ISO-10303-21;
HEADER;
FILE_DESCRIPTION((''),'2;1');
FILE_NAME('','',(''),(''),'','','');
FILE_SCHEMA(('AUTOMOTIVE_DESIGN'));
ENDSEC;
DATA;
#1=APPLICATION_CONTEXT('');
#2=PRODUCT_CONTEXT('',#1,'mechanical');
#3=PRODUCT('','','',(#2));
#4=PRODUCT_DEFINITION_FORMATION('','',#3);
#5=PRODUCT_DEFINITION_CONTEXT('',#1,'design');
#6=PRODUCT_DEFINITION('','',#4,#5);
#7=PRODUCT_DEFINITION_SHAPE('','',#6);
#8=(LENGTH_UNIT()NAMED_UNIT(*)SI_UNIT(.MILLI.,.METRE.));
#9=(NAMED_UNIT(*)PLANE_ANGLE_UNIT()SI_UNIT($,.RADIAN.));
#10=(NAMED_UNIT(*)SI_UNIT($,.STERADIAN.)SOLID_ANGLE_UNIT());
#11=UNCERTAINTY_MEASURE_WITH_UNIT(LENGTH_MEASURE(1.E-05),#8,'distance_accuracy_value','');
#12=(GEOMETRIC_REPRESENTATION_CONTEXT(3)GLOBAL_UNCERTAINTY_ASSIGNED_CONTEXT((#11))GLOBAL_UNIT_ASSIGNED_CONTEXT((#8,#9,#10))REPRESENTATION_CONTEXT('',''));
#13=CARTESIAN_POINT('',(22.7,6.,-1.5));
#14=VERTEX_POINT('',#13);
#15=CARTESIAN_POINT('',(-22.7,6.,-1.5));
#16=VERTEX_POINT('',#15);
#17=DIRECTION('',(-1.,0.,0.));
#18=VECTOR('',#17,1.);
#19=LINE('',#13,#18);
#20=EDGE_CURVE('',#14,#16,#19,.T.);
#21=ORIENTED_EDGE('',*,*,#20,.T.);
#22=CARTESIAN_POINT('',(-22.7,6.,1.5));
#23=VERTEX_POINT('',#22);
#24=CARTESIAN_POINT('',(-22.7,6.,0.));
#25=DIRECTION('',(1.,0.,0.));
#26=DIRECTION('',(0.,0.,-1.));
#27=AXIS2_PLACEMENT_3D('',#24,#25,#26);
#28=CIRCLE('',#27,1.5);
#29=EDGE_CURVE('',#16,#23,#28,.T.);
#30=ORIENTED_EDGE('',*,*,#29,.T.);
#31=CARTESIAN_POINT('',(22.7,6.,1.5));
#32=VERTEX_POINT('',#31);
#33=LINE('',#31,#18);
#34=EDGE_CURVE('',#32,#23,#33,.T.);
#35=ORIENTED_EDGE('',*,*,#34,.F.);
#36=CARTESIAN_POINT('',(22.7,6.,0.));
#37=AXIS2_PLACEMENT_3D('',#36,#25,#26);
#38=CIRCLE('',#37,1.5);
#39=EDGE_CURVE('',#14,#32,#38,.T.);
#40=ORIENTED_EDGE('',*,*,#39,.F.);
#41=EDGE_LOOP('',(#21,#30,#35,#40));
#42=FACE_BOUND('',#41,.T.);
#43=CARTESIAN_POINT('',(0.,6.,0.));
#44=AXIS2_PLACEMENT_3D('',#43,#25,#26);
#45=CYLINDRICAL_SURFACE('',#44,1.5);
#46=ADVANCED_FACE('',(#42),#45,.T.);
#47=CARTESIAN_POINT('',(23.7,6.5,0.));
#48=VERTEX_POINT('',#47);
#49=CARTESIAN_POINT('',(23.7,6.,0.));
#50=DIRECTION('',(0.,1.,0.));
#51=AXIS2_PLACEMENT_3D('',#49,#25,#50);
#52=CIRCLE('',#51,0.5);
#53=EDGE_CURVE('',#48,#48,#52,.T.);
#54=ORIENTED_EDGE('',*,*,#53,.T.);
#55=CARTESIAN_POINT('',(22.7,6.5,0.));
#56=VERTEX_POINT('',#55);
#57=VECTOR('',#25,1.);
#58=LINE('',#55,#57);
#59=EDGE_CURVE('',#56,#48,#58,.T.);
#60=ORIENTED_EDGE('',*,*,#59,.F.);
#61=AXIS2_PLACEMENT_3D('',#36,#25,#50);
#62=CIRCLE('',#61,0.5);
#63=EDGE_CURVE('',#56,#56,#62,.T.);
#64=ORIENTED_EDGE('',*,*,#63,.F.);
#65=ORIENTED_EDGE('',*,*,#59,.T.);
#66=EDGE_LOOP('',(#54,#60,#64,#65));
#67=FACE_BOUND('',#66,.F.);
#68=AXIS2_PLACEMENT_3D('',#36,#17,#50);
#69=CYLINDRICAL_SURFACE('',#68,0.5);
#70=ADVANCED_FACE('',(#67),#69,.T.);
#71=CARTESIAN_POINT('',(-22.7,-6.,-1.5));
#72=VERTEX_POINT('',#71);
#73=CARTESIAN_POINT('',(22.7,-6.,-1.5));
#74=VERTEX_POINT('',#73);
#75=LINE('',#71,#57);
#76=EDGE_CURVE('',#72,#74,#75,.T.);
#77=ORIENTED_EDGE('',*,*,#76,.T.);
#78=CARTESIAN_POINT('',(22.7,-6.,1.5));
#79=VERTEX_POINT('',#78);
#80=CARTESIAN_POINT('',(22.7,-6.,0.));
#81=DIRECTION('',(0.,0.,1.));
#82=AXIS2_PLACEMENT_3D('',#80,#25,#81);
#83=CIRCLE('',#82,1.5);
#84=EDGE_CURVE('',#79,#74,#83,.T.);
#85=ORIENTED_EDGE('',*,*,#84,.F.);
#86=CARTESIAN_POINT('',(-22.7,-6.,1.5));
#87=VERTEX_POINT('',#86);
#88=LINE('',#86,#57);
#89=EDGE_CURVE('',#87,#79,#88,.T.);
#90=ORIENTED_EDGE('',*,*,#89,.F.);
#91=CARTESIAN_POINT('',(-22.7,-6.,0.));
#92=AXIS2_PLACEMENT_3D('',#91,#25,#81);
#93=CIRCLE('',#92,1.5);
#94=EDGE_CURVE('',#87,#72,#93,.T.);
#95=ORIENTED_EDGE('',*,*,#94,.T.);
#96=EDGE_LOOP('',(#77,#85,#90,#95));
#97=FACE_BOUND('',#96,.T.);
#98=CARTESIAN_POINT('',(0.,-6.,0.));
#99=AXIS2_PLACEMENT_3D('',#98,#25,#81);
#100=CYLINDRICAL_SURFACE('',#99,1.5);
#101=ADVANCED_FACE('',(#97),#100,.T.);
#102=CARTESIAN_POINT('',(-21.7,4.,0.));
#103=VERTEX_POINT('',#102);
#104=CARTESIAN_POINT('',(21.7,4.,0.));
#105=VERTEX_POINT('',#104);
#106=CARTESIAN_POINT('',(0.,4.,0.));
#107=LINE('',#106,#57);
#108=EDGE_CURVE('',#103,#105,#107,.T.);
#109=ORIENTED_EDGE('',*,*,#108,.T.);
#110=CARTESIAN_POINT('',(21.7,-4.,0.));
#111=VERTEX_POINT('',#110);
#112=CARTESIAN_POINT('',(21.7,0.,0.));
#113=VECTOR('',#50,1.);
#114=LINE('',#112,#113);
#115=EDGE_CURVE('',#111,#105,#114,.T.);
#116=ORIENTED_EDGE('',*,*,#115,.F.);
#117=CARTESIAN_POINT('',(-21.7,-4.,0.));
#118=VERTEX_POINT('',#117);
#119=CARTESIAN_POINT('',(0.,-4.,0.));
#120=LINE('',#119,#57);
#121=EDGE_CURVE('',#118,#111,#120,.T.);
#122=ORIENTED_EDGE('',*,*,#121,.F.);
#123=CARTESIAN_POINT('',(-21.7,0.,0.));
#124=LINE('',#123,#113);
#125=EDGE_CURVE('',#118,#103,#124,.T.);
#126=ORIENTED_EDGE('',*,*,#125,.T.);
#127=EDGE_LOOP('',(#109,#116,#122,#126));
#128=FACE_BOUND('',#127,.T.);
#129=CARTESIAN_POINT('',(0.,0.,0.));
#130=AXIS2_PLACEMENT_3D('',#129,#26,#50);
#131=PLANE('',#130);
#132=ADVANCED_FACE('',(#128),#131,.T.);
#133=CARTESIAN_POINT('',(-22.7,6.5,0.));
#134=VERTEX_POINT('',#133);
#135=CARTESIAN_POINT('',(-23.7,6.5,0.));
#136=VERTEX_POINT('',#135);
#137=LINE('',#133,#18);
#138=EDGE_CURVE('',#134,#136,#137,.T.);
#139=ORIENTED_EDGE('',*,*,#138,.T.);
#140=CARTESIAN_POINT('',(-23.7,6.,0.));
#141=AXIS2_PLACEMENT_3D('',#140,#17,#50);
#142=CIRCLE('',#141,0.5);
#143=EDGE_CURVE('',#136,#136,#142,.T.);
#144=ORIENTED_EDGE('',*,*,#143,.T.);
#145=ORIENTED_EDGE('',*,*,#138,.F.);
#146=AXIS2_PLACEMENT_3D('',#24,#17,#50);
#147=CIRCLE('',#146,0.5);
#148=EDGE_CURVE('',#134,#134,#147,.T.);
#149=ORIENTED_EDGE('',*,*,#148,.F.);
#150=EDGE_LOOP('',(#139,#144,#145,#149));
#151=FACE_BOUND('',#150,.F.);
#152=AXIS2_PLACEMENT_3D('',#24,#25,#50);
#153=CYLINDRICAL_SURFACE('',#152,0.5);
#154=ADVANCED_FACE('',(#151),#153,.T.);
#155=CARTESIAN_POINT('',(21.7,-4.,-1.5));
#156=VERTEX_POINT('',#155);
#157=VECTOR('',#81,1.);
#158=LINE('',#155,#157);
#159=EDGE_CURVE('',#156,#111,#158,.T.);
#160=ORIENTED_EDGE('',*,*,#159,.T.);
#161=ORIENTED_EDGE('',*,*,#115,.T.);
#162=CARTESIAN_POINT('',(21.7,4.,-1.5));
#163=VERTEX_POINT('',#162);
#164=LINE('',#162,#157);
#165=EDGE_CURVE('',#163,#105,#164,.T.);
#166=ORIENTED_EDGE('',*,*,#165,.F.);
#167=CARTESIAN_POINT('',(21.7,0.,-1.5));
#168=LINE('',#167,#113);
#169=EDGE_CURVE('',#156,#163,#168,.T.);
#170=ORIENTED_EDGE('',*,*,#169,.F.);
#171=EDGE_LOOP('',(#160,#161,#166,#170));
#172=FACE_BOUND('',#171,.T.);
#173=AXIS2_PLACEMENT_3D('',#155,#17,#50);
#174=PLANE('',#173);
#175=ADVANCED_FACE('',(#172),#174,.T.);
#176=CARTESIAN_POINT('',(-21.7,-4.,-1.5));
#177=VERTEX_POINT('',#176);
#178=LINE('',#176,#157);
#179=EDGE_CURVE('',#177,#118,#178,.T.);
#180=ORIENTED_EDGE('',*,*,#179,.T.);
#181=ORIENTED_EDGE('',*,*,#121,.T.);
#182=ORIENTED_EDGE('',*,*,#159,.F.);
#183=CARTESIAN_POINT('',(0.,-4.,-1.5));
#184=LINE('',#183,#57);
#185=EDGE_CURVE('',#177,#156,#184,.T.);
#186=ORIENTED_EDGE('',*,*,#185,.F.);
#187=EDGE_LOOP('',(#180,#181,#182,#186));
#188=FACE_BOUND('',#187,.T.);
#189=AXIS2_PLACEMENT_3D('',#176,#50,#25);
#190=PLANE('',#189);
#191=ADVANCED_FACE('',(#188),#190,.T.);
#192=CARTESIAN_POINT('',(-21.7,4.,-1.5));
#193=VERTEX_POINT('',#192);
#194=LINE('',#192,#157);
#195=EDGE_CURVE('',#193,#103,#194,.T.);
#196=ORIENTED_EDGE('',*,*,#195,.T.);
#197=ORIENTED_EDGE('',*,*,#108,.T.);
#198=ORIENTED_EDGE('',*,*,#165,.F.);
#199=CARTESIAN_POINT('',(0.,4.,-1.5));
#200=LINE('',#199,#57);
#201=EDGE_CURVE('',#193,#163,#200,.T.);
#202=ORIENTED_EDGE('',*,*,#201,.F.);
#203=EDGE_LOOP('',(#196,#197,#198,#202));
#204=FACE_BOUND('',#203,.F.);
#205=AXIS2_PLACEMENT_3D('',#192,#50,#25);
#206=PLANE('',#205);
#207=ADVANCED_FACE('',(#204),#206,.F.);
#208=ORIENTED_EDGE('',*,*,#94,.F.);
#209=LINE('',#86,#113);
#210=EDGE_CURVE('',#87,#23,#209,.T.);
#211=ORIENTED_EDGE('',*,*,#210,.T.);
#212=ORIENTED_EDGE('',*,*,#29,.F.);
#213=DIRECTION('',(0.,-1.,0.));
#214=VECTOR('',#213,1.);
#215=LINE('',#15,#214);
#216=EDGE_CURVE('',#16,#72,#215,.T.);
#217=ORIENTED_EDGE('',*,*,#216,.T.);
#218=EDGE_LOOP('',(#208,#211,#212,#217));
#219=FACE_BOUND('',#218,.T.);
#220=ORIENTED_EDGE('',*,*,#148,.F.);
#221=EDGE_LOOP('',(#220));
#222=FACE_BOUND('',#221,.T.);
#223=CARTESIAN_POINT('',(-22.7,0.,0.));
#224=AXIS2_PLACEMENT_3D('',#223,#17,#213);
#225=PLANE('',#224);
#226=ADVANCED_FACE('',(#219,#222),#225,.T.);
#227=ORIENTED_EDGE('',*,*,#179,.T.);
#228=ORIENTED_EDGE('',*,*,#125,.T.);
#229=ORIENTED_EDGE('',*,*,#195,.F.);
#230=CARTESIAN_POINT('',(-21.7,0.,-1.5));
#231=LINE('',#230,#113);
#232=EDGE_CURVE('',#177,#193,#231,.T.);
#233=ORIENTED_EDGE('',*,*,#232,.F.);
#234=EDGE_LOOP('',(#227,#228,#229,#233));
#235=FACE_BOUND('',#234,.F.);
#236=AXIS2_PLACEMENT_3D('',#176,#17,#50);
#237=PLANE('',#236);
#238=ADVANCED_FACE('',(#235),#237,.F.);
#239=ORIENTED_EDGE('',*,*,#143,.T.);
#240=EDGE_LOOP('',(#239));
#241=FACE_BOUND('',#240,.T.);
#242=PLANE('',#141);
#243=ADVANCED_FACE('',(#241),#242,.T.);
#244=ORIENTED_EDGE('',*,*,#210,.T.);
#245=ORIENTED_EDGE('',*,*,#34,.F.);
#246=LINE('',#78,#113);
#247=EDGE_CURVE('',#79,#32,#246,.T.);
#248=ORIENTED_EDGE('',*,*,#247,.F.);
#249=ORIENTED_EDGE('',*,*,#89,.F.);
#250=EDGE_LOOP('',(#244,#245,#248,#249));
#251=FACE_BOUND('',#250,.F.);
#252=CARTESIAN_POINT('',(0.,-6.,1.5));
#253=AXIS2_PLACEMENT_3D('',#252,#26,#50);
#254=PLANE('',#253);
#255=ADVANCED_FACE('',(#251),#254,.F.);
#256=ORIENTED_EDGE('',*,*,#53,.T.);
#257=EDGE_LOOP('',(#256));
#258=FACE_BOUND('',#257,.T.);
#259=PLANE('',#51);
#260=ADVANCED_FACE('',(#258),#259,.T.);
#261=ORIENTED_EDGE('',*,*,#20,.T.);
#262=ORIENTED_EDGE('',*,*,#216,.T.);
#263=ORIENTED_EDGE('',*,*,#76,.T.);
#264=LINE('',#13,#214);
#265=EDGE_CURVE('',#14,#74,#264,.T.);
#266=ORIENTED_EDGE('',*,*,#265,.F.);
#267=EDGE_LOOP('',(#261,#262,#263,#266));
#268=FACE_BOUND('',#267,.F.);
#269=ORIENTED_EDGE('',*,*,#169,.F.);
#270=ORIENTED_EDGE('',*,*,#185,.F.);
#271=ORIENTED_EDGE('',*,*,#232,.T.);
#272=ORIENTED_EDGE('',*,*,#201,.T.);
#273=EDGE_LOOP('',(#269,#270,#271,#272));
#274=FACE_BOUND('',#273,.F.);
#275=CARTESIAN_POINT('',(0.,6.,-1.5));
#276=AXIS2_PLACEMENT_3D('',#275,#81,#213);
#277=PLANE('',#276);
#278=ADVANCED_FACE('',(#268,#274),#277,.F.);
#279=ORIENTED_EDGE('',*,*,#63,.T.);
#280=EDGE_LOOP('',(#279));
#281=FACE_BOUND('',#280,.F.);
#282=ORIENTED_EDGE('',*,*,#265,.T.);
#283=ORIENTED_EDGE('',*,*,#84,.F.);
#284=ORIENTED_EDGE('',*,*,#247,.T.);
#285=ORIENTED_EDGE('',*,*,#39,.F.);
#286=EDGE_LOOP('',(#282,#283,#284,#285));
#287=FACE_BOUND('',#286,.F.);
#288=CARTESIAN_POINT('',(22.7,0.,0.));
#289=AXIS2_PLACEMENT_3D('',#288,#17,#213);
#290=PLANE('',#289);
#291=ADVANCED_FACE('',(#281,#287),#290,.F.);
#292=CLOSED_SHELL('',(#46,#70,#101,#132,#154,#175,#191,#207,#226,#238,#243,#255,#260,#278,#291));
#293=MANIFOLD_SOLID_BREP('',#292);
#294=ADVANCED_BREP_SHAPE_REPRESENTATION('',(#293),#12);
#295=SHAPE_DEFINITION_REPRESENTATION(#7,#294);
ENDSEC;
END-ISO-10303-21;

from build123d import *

# Parameters (mm, degrees)
PAD_DEPTH    = 22.7
SKETCH001_W  = 8
SKETCH001_H  = 43.4
POCKET_DEPTH = 1.5
SKETCH002_R  = 0.5
PAD001_DEPTH = 1
SKETCH003_R  = 0.5
PAD002_DEPTH = 1


with BuildPart() as part:
    # Sketch → Pad (new body, symmetric)
    with BuildSketch(Plane.YZ):
        with BuildLine():
            Line((-6, 1.5), (6, 1.5))
            ThreePointArc((6, -1.5), (7.5, 0), (6, 1.5))
            Line((6, -1.5), (-6, -1.5))
            ThreePointArc((-6, 1.5), (-7.5, 0), (-6, -1.5))
        make_face()
    extrude(amount=PAD_DEPTH, both=True)

    # Sketch001 (on Face1 of Pad) → Pocket (cut)
    with BuildSketch(Plane.YX.offset(1.5)):
        Rectangle(SKETCH001_W, SKETCH001_H)
    extrude(amount=-POCKET_DEPTH, mode=Mode.SUBTRACT)

    # Sketch002 (on Face4 of Pocket) → Pad001 (join)
    with BuildSketch(Plane.YZ.offset(22.7)):
        with Locations((6, 0)):
            Circle(SKETCH002_R)
    extrude(amount=PAD001_DEPTH)

    # Sketch003 (on Face3 of Pad001) → Pad002 (join)
    with BuildSketch(Plane(origin=(-22.7, 0, 0), x_dir=(0, 1, 0), z_dir=(-1, 0, 0))):
        with Locations((6, 0)):
            Circle(SKETCH003_R)
    extrude(amount=PAD002_DEPTH)


solid = part.part
